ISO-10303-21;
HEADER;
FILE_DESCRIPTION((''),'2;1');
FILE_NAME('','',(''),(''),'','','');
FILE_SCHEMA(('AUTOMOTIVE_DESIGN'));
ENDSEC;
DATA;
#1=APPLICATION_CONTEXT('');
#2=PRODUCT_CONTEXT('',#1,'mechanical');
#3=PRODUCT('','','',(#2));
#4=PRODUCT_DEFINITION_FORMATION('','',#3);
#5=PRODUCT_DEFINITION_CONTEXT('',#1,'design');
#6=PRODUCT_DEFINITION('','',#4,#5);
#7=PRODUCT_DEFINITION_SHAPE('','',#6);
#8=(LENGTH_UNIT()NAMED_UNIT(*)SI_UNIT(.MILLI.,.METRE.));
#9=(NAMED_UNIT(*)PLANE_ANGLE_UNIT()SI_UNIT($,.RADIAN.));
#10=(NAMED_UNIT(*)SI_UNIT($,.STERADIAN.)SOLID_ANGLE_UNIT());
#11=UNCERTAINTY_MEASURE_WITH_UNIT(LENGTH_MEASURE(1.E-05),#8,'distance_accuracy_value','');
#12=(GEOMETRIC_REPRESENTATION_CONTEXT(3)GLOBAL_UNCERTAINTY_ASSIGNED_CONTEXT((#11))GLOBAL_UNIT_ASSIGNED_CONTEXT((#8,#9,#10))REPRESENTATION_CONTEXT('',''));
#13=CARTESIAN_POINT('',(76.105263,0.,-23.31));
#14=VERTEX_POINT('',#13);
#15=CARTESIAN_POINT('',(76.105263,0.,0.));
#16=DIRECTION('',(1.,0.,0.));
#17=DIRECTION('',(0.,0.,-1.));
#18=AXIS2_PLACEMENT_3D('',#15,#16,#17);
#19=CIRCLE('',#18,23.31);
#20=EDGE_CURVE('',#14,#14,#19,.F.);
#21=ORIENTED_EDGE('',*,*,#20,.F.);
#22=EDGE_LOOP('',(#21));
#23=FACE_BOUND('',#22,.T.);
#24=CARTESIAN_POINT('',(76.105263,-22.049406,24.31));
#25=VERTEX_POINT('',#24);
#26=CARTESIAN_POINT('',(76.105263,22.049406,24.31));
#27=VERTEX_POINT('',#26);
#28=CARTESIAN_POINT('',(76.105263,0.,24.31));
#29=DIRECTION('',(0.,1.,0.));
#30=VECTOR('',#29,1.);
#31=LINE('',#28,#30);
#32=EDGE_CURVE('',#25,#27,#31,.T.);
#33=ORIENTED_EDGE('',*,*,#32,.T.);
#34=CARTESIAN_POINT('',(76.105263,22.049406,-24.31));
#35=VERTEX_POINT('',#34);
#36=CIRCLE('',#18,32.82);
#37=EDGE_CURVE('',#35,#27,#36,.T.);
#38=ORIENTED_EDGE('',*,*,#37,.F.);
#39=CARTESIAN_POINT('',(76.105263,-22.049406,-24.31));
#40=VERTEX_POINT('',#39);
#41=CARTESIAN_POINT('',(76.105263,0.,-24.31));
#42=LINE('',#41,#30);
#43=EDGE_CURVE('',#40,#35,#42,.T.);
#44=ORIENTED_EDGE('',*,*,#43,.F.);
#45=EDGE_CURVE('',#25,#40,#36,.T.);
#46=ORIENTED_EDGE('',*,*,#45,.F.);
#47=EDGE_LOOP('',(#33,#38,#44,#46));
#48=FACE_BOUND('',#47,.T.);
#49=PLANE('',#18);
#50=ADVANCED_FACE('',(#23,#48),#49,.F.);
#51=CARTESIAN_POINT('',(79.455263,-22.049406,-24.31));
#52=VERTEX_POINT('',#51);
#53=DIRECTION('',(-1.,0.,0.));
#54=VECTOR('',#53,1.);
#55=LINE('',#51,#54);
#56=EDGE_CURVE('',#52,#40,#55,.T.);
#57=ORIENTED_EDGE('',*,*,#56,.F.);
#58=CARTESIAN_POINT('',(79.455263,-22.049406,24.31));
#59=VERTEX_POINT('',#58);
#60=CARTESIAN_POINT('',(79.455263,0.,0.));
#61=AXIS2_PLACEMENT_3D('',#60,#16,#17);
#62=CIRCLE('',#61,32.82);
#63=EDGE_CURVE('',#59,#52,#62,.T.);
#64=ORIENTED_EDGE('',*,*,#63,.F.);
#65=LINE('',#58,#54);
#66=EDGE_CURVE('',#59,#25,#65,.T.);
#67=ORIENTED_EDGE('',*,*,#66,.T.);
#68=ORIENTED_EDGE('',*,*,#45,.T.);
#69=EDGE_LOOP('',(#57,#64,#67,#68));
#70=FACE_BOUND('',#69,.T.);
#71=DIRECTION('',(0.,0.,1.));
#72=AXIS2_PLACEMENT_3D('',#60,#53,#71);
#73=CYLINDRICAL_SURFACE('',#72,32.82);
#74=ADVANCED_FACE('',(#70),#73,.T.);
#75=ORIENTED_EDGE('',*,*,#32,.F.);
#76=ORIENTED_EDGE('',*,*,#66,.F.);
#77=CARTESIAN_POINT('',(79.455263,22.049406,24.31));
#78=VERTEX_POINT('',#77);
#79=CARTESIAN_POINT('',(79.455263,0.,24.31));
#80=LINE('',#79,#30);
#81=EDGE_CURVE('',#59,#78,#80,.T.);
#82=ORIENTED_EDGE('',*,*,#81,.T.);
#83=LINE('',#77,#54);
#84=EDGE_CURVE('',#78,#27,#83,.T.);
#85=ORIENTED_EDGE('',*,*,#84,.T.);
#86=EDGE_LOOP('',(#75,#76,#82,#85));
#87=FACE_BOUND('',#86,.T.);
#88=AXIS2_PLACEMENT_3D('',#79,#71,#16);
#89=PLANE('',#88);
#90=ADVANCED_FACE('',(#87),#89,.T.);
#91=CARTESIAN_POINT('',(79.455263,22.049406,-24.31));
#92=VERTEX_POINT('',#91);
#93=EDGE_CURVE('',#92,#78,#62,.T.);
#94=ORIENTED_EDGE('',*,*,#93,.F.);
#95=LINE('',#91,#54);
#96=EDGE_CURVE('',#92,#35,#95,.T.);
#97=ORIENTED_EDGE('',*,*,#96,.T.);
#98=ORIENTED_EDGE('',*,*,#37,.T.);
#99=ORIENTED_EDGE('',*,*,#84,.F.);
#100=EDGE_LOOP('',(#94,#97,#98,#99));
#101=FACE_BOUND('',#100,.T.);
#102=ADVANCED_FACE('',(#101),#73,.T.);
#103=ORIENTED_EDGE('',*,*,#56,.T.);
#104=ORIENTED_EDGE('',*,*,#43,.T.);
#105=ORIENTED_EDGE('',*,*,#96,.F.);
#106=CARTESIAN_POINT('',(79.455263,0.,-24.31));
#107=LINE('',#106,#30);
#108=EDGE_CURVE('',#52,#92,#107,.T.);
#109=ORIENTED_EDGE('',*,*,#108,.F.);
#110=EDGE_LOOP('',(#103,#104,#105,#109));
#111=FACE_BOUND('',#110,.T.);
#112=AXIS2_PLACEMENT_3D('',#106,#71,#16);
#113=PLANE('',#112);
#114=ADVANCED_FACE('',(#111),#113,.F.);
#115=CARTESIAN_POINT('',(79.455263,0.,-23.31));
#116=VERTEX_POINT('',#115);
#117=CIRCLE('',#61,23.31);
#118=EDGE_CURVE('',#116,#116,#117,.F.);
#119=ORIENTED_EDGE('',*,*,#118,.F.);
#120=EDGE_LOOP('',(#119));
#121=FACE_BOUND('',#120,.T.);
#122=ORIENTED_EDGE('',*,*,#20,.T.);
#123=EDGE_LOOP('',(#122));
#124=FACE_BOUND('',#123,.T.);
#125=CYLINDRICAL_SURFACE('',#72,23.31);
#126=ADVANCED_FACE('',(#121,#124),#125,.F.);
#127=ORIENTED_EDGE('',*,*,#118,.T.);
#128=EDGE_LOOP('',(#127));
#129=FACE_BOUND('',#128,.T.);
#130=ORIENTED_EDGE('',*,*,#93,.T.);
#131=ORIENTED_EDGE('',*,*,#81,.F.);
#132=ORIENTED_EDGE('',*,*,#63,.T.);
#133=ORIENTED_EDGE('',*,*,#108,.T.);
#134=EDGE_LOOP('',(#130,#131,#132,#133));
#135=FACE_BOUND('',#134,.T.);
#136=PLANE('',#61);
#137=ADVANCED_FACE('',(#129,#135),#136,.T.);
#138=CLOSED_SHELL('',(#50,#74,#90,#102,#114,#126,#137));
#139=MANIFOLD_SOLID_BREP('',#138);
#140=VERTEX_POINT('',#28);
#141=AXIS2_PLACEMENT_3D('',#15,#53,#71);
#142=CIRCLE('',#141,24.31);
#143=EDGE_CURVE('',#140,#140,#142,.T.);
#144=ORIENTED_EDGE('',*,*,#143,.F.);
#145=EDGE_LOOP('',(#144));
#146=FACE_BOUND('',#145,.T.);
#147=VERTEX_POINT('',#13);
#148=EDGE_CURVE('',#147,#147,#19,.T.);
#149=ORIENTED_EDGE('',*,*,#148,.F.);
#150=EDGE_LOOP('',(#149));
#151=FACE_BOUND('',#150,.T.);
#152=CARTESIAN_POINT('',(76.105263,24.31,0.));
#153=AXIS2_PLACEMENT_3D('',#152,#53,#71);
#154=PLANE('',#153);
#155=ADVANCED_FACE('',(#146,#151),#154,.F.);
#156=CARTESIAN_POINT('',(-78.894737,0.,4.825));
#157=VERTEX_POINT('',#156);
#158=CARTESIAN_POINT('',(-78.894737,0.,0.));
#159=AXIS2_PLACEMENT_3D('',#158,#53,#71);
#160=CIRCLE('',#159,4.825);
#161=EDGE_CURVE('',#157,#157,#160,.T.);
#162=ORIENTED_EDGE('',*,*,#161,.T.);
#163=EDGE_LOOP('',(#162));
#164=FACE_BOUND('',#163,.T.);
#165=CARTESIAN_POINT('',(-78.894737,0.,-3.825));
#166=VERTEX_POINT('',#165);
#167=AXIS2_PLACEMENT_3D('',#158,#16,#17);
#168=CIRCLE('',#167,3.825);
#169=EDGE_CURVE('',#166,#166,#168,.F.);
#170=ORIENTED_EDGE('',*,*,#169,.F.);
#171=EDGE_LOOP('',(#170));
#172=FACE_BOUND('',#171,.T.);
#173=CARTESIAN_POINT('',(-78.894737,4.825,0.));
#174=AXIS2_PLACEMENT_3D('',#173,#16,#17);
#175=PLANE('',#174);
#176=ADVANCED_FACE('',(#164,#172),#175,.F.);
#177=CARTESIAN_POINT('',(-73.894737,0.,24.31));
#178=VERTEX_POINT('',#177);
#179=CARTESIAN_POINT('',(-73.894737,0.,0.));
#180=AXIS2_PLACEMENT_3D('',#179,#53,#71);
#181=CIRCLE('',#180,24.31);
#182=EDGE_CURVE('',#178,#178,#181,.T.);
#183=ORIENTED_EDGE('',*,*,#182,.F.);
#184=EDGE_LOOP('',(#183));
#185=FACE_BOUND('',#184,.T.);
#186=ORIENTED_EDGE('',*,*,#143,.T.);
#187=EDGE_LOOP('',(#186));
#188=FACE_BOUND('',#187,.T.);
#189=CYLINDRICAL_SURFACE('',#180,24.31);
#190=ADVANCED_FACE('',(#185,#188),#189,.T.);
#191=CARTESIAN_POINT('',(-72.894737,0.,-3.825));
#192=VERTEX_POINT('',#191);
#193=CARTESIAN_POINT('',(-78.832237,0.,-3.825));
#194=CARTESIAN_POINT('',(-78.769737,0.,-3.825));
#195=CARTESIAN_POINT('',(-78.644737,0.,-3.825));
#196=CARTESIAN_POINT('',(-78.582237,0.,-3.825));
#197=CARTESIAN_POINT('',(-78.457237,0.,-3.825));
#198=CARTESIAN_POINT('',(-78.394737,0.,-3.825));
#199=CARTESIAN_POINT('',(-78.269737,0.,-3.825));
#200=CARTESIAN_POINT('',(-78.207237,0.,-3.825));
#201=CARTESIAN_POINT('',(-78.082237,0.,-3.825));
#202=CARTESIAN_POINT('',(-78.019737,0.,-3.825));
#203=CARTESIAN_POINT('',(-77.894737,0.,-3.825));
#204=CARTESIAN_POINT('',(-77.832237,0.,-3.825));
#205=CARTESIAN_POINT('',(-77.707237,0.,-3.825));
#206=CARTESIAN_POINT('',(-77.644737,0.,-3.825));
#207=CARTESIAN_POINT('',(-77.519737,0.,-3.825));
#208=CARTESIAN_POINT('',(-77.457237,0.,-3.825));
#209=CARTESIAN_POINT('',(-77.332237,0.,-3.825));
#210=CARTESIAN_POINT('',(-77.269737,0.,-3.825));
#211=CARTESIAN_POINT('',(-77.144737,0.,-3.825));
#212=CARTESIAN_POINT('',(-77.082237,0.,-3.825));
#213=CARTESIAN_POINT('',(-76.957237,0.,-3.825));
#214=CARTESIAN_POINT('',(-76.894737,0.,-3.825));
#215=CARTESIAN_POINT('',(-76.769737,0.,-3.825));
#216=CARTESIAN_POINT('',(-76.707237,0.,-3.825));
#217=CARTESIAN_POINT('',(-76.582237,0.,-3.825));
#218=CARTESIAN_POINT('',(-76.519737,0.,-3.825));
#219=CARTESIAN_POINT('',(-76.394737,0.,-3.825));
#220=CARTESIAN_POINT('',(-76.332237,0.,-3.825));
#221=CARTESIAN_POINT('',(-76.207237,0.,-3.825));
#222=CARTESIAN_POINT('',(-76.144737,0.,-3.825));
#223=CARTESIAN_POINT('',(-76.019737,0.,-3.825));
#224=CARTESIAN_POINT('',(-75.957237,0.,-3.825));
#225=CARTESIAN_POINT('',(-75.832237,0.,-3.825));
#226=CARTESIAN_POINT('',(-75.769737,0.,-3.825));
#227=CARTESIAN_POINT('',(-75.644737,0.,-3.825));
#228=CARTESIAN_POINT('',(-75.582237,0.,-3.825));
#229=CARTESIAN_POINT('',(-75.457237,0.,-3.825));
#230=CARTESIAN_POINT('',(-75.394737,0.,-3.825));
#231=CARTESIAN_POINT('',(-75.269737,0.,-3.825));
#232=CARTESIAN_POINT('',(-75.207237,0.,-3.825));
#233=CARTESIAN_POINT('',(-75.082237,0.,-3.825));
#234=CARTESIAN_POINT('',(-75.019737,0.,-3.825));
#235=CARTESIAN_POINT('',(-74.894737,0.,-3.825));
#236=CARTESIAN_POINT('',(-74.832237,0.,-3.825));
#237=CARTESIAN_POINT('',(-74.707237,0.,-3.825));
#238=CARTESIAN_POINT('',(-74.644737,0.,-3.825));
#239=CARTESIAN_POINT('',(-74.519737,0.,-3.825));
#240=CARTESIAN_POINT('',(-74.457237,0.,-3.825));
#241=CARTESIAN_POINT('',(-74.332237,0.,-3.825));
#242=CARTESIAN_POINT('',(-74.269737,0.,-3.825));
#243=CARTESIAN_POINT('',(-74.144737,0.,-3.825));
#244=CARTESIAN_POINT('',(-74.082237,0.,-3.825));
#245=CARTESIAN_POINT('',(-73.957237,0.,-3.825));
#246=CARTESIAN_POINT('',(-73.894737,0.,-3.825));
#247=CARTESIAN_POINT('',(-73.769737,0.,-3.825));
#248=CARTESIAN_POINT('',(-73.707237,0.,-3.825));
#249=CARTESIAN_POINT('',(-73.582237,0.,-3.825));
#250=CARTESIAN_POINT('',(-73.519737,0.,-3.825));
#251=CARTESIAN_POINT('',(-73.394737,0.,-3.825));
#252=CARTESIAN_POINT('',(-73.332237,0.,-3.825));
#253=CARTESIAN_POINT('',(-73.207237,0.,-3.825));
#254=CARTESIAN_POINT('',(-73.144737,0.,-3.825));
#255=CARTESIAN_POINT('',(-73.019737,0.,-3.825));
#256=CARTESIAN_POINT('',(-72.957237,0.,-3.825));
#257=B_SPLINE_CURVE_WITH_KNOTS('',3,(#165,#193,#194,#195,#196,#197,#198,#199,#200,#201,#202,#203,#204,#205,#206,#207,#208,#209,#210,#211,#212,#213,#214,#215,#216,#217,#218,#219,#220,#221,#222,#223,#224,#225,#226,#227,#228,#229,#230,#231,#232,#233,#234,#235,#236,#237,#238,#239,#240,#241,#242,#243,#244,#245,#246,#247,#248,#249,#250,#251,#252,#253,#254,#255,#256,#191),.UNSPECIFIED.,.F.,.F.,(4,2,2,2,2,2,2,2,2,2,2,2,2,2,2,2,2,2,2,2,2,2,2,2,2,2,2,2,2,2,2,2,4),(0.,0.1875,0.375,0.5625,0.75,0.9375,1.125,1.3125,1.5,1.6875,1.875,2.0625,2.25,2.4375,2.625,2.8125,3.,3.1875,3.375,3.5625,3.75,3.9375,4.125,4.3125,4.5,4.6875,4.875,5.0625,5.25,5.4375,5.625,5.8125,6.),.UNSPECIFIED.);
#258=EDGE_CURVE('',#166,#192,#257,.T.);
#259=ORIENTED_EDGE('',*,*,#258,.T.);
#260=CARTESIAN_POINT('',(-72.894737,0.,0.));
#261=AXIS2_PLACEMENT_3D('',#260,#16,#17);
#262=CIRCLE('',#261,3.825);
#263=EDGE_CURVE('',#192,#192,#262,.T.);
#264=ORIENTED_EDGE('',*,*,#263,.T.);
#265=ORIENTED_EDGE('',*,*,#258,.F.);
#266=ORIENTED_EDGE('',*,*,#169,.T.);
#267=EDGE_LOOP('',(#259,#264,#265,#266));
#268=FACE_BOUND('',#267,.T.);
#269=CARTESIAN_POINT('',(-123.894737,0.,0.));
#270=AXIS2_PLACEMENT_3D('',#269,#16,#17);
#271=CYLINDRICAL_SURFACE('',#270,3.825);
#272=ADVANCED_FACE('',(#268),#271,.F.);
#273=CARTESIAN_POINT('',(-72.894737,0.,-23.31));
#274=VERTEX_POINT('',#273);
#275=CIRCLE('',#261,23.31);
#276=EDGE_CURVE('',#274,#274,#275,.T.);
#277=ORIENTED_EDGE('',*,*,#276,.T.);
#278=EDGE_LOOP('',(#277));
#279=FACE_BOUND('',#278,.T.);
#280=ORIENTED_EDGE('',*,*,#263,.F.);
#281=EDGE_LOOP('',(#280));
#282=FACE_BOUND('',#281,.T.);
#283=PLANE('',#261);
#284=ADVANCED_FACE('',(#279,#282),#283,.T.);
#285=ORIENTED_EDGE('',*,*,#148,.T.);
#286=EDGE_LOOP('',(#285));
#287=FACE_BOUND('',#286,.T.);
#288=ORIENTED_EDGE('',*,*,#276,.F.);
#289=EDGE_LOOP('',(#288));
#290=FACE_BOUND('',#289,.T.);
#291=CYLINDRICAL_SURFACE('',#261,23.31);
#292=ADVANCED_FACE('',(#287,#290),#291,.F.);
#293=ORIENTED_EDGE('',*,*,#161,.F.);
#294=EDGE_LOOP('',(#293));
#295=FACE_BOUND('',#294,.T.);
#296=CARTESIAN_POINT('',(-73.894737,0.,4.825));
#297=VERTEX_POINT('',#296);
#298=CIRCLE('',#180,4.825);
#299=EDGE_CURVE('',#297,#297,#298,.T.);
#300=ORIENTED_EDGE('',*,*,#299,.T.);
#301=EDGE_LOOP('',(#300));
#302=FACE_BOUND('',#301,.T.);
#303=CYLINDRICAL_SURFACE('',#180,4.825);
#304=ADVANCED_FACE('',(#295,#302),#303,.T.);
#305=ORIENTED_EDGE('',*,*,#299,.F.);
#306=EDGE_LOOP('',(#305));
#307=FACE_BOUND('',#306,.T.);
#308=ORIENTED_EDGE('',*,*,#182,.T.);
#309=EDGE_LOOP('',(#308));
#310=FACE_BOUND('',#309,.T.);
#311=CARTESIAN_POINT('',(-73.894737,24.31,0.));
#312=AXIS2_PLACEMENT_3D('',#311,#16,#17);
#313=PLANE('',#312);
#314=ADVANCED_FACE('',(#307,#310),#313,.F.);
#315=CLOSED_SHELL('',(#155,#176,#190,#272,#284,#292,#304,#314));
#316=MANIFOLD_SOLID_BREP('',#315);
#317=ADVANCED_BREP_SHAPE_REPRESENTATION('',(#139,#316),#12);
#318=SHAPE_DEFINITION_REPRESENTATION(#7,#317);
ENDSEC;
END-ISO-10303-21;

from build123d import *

# Parameters (mm, degrees)
CUT_EXTRUDE1_DEPTH      = 45
CUT_EXTRUDE1_DEPTH_BACK = 260
SKETCH2_R               = 3.825
SKETCH3_R               = 23.31
CUT_EXTRUDE2_DEPTH      = 149
SKETCH4_R               = 24.31
SKETCH4_R_2             = 23.31
BOSS_EXTRUDE1_DEPTH     = 3.35


with BuildPart() as part:
    # Sketch1 → Revolve2 (revolve)
    with BuildSketch(Plane.XY, mode=Mode.PRIVATE) as revolve2_sk:
        Polygon((-73.894736842, 0), (76.105263158, 0), (76.105263158, 24.31), (-73.894736842, 24.31), (-73.894736842, 4.825), (-78.894736842, 4.825), (-78.894736842, 0), align=None)
    revolve(revolve2_sk.sketch.rotate(Axis((-73.894736842, 0, 0), (1, 0, 0)), 90), axis=Axis((-73.894736842, 0, 0), (1, 0, 0)))

    # Sketch2 → Cut-Extrude1 (cut, two sides: drawn at the far end of the back side and taken through both)
    with BuildSketch(Plane.ZY.offset(78.894736842).offset(-CUT_EXTRUDE1_DEPTH_BACK)):
        with Locations(Location((0, 0, 0), (0, 0, 180))):
            Circle(SKETCH2_R)
    extrude(amount=CUT_EXTRUDE1_DEPTH + CUT_EXTRUDE1_DEPTH_BACK, mode=Mode.SUBTRACT)

    # Sketch3 → Cut-Extrude2 (cut)
    with BuildSketch(Plane(origin=(76.105263158, 0, 0), x_dir=(0, 0, -1), z_dir=(1, 0, 0))):
        Circle(SKETCH3_R)
    extrude(amount=-CUT_EXTRUDE2_DEPTH, mode=Mode.SUBTRACT)


with BuildPart() as body_2:
    # Sketch4 → Boss-Extrude1 (new body)
    # profile 1 of 4: a face of its own
    with BuildSketch(Plane(origin=(76.105263158, 0, 0), x_dir=(0, 0, -1), z_dir=(1, 0, 0))):
        with BuildLine():
            ThreePointArc((-24.31, 0), (0, 24.31), (24.31, 0))
            Line((24.31, 0), (24.31, 22.049405888))
            ThreePointArc((24.31, 22.049405888), (0, 32.82), (-24.31, 22.049405888))
            Line((-24.31, 22.049405888), (-24.31, 0))
        make_face()
    # profile 2 of 4: a face of its own
    with BuildSketch(Plane(origin=(76.105263158, 0, 0), x_dir=(0, 0, -1), z_dir=(1, 0, 0))):
        with BuildLine():
            ThreePointArc((-24.31, 0), (0, 24.31), (24.31, 0))
            Line((24.31, 0), (24.31, 22.049405888))
            ThreePointArc((24.31, 22.049405888), (0, 32.82), (-24.31, 22.049405888))
            Line((-24.31, 22.049405888), (-24.31, 0))
        make_face()
    # profile 3 of 4: a face of its own
    with BuildSketch(Plane(origin=(76.105263158, 0, 0), x_dir=(0, 0, -1), z_dir=(1, 0, 0))):
        with BuildLine():
            Line((24.31, -22.049405888), (24.31, 0))
            ThreePointArc((24.31, 0), (0, -24.31), (-24.31, 0))
            Line((-24.31, 0), (-24.31, -22.049405888))
            ThreePointArc((-24.31, -22.049405888), (0, -32.82), (24.31, -22.049405888))
        make_face()
    # profile 4 of 4: a face of its own
    with BuildSketch(Plane(origin=(76.105263158, 0, 0), x_dir=(0, 0, -1), z_dir=(1, 0, 0))):
        with Locations(Location((0, 0, 0), (0, 0, 180))):
            Circle(SKETCH4_R)
        Circle(SKETCH4_R_2, mode=Mode.SUBTRACT)
    extrude(amount=BOSS_EXTRUDE1_DEPTH)


solid = Compound([part.part, body_2.part])
